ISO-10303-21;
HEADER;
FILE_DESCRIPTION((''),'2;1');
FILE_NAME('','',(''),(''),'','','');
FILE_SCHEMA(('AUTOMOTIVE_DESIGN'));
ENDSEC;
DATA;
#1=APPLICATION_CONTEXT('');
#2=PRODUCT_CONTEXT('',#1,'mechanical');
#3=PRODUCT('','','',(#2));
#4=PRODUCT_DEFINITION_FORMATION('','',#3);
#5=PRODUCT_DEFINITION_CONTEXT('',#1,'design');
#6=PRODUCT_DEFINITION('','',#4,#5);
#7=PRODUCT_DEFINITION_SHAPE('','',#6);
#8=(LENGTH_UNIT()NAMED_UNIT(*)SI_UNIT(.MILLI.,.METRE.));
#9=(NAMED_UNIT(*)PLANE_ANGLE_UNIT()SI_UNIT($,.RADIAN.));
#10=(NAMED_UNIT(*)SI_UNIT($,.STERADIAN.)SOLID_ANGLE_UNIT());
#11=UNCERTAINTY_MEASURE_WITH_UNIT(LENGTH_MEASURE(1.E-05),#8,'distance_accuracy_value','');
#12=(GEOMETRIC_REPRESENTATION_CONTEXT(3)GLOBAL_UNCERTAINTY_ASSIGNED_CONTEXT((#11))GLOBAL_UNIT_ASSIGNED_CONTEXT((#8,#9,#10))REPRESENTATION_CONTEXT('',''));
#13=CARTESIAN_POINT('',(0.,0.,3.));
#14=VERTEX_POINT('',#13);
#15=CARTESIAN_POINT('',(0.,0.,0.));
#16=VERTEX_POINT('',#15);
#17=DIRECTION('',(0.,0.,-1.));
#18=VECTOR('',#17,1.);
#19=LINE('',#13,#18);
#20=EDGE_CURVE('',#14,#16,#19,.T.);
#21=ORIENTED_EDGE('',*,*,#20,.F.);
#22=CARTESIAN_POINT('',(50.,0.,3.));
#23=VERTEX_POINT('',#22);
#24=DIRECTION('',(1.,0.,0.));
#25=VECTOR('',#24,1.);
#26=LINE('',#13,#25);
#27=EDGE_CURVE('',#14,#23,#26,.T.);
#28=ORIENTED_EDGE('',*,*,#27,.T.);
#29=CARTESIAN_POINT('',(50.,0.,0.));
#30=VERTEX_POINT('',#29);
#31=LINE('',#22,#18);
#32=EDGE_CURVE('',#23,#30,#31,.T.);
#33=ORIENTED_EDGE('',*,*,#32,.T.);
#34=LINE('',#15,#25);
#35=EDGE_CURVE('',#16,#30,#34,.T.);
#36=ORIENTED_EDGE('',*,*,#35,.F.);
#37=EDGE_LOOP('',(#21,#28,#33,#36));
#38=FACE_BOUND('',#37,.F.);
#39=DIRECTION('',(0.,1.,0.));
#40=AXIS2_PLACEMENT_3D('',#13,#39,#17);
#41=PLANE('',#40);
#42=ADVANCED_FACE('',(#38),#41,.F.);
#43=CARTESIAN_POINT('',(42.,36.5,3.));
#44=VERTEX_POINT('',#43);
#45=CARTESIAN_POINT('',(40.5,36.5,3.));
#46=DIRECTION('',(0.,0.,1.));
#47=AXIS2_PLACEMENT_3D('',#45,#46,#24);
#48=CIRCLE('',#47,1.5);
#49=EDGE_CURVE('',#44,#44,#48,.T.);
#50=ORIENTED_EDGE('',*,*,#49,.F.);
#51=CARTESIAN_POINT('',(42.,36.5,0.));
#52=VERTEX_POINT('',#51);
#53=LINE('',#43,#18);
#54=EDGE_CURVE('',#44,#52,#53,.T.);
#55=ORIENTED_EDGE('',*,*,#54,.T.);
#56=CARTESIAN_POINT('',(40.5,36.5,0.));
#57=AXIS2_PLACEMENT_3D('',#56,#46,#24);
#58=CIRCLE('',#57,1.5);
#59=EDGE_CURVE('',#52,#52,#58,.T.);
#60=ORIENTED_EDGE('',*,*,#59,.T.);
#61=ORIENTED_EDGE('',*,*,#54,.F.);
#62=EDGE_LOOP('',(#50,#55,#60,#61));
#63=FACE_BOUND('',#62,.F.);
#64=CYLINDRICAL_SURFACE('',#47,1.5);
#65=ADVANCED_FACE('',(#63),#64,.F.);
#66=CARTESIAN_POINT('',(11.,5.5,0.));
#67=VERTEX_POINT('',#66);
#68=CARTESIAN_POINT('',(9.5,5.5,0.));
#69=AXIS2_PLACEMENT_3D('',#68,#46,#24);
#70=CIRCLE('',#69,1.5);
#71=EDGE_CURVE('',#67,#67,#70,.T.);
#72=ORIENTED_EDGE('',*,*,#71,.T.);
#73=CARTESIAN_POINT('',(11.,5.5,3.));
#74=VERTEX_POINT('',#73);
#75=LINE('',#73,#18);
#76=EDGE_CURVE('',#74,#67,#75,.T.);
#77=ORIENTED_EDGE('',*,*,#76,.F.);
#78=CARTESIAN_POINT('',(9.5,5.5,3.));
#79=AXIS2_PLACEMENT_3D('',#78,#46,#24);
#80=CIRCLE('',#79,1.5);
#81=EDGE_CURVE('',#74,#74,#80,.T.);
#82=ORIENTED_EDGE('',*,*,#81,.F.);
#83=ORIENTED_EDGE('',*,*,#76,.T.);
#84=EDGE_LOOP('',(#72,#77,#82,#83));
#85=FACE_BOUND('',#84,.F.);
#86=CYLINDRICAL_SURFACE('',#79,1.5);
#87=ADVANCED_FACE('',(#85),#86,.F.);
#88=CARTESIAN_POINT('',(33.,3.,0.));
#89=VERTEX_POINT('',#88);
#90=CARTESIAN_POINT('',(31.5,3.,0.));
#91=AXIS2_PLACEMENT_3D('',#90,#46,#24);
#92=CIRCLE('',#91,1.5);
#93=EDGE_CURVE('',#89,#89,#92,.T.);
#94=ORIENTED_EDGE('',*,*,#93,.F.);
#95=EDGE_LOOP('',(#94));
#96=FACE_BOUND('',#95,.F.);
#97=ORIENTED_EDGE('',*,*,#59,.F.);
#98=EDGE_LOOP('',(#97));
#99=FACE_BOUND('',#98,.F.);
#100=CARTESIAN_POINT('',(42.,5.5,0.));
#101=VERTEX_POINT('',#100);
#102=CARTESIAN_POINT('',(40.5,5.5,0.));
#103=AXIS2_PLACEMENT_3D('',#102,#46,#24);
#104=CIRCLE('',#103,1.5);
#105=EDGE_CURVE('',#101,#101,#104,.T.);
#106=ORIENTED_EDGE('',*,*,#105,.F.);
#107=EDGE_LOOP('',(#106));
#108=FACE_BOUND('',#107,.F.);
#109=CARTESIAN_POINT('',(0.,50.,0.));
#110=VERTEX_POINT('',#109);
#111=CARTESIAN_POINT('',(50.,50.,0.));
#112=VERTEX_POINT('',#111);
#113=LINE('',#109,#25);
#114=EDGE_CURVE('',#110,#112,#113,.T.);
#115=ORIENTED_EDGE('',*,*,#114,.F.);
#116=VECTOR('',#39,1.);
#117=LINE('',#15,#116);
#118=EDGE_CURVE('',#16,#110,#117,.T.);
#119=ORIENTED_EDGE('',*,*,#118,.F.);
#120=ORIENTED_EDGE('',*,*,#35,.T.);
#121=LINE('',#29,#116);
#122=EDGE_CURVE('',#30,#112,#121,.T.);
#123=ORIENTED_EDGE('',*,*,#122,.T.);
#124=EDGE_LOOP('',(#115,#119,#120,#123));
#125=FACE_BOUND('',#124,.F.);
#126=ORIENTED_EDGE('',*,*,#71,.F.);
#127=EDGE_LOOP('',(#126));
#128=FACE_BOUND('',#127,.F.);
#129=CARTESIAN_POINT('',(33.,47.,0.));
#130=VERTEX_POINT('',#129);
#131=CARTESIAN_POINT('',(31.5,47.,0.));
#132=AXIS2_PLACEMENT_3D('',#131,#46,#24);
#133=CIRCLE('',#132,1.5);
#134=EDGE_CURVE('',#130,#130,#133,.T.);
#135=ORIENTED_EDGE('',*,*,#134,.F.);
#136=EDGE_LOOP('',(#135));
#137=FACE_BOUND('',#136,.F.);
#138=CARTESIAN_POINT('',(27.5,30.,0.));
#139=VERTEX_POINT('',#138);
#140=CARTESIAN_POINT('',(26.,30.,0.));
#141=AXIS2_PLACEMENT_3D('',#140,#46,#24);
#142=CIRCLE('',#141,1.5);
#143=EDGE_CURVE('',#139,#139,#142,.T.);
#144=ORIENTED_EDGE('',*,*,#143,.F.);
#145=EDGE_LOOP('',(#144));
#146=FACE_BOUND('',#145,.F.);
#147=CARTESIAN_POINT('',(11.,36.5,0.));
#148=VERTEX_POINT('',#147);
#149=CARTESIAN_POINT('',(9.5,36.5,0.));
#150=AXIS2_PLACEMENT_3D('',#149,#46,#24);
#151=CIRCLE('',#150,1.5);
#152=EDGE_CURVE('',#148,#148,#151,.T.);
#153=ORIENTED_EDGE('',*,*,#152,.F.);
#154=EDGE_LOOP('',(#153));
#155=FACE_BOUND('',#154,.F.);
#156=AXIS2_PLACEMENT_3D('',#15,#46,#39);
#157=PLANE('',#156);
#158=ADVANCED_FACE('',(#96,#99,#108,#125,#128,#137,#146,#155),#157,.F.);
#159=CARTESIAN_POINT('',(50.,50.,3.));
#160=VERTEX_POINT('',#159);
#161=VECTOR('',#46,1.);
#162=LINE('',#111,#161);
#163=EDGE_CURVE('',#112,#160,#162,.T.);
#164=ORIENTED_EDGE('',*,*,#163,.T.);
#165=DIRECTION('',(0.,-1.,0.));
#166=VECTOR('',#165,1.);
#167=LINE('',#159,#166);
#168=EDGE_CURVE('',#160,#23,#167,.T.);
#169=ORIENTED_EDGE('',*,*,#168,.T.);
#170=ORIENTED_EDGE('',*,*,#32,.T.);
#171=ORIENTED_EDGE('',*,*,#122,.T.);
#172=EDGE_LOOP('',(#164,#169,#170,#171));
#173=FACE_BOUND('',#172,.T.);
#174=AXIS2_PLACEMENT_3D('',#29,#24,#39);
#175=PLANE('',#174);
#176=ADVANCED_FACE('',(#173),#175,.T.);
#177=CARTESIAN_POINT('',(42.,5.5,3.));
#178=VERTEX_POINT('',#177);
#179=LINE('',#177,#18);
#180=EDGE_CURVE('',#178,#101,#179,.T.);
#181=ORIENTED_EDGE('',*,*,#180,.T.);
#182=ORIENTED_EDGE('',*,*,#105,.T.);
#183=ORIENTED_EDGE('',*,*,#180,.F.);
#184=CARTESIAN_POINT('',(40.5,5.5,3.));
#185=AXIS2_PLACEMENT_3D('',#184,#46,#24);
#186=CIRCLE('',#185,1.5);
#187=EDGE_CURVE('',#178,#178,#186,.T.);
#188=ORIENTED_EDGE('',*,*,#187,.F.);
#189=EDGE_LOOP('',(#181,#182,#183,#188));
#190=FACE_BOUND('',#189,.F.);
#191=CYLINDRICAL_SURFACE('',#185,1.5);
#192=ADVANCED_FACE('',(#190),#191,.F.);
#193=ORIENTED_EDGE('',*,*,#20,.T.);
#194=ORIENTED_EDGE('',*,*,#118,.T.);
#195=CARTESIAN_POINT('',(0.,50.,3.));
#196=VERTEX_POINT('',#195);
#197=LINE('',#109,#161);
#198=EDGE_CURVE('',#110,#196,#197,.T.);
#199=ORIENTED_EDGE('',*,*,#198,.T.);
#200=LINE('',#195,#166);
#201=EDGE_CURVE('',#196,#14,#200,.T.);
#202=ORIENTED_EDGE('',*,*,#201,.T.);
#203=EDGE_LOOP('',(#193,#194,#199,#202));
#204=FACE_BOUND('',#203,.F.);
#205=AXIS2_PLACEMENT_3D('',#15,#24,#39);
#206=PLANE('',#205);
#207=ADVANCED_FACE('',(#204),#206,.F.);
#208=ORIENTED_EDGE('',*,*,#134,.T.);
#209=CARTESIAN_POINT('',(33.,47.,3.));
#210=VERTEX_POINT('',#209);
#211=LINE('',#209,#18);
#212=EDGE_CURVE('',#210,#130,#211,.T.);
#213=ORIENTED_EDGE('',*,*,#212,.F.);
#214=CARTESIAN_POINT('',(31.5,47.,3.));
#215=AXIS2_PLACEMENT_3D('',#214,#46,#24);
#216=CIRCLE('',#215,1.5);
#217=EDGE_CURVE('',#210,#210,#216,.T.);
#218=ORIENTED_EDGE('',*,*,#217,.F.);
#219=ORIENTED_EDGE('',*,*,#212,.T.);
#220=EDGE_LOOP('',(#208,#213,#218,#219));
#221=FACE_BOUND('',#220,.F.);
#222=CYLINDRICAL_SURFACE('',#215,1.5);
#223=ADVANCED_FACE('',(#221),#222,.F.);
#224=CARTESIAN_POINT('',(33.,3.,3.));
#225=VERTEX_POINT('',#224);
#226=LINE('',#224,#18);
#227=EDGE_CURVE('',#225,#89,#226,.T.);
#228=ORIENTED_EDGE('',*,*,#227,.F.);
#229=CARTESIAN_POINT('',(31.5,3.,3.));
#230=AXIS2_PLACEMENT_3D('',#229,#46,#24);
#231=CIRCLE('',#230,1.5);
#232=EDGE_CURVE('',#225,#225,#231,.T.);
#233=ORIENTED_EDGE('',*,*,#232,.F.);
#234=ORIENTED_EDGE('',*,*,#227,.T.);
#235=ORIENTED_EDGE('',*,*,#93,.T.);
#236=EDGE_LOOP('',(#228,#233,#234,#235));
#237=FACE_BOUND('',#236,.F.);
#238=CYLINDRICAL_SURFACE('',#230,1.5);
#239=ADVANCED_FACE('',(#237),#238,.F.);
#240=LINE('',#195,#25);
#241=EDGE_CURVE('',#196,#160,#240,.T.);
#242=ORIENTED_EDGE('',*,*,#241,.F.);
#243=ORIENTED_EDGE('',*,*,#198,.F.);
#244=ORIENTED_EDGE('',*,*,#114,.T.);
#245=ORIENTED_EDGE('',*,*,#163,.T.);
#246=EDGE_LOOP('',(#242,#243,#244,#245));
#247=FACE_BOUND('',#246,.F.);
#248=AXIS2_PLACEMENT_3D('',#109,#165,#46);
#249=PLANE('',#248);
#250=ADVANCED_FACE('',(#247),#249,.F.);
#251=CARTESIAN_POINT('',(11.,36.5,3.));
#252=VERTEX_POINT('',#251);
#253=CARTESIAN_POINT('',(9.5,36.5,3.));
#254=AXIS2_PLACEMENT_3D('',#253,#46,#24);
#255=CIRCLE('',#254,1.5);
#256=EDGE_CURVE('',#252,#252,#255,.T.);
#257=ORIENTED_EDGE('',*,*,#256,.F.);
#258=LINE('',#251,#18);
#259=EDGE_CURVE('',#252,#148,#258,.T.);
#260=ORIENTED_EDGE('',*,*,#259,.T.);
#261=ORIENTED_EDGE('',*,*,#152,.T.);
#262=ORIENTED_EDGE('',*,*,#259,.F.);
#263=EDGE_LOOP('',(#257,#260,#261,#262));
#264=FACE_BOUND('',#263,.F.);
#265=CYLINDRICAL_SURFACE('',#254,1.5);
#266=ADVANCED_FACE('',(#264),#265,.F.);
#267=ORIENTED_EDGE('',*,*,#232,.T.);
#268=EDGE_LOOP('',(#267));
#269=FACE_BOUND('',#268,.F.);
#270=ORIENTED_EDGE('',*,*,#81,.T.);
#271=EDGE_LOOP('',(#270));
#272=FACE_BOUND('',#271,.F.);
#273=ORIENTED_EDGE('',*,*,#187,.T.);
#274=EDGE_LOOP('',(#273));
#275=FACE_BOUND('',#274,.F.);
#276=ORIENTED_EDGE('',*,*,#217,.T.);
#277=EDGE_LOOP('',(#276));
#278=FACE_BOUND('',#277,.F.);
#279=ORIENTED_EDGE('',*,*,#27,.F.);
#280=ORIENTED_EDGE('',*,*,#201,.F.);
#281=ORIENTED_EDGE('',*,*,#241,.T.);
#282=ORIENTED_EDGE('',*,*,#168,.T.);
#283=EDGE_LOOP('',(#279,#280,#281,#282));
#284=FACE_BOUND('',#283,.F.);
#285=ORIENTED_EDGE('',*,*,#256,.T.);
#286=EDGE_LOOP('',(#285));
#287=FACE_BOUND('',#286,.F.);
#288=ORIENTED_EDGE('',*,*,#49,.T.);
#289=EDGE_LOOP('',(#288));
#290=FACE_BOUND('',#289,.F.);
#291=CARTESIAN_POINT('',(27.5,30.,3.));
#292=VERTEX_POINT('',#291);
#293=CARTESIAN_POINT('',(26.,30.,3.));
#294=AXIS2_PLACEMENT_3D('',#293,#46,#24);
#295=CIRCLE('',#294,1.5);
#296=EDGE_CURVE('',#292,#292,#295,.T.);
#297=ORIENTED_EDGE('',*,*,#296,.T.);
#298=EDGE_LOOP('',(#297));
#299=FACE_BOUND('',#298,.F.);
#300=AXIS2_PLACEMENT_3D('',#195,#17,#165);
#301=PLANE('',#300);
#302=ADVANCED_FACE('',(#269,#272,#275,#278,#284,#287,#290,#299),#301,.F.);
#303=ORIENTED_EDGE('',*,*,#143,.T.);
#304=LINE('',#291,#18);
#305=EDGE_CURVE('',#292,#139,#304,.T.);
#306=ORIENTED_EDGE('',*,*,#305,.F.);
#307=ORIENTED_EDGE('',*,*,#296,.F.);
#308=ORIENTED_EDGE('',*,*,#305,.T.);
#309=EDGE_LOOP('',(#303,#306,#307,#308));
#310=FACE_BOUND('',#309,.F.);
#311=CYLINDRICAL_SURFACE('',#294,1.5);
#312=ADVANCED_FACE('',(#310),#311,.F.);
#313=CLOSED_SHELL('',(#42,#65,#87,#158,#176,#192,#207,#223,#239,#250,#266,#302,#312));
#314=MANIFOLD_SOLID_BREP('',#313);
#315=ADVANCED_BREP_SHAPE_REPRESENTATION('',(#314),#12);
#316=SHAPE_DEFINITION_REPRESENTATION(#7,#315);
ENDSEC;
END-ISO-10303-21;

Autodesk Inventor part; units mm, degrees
ref_plane "YZ Plane" through (0, 0, 0) normal (1, 0, 0) x (0, 1, 0)
ref_plane "XZ Plane" through (0, 0, 0) normal (0, 1, 0) x (-1, 0, 0)
ref_plane "XY Plane" through (0, 0, 0) normal (0, 0, 1) x (1, 0, 0)
sketch "Sketch1" plane through (0, 0, 0) normal (1, 0, 0) x (0, 1, 0)
  line L0 (0, 0) -> (50, 0)
  line L1 (50, 0) -> (50, 3)
  line L2 (50, 3) -> (0, 3)
  line L3 (0, 3) -> (0, 0)
  dimension "d0" = 50
  dimension "d1" = 3
extrude "Extrusion1" add sketch "Sketch1" along normal blind 50
sketch "Sketch2" plane through (0, 0, 3) normal (0, 0, 1) x (1, 0, 0)
  line L0 (0, 0) -> (50, 0) projected
  line L1 (0, 50) -> (50, 50) projected
  line L2 (0, 50) -> (0, 0) projected
  line L3 (50, 50) -> (50, 0) projected
  line L4 (9.5, 36.5) -> (40.5, 36.5) construction
  line L5 (40.5, 36.5) -> (40.5, 5.5) construction
  line L6 (40.5, 5.5) -> (9.5, 5.5) construction
  line L7 (9.5, 5.5) -> (9.5, 36.5) construction
  circle A0 centre (9.5, 36.5) radius 1.5
  circle A1 centre (40.5, 36.5) radius 1.5
  circle A2 centre (40.5, 5.5) radius 1.5
  circle A3 centre (9.5, 5.5) radius 1.5
  circle A4 centre (56.8804, 53.3963) radius 1.5
  circle A5 centre (26, 30) radius 1.5
  circle A6 centre (26, 3) radius 1.5
  circle A7 centre (31.5, 47) radius 1.5
  circle A8 centre (31.5, 3) radius 1.5
  point P0 (50, 25)
  point P1 (9.5, 21)
  point P2 (0, 25)
  point P3 (25, 36.5)
  point P4 (25, 50)
  point P5 (13.7786, -2.6691)
  dimension "d12" = 31
  dimension "d13" = 31
  dimension "d15" = 3
  dimension "d16" = 3
  dimension "d17" = 3
  dimension "d18" = 3
  dimension "d19" = 3
  dimension "d21" = 3
  dimension "d22" = 3
  dimension "d23" = 20
  dimension "d24" = 3
  dimension "d26" = 5.5
  dimension "d27" = 26
  dimension "d28" = 3
  dimension "d29" = 3
  dimension "d31" = 3
  dimension "d32" = 3
  dimension "d33" = 9
extrude "Extrusion2" cut sketch "Sketch2" against normal blind 10 contours A0 | A1 | A2 | A3 | A4 | A5 | A7 | A8
equation "\"d12\" = d13"
properties part number "X Rail"
